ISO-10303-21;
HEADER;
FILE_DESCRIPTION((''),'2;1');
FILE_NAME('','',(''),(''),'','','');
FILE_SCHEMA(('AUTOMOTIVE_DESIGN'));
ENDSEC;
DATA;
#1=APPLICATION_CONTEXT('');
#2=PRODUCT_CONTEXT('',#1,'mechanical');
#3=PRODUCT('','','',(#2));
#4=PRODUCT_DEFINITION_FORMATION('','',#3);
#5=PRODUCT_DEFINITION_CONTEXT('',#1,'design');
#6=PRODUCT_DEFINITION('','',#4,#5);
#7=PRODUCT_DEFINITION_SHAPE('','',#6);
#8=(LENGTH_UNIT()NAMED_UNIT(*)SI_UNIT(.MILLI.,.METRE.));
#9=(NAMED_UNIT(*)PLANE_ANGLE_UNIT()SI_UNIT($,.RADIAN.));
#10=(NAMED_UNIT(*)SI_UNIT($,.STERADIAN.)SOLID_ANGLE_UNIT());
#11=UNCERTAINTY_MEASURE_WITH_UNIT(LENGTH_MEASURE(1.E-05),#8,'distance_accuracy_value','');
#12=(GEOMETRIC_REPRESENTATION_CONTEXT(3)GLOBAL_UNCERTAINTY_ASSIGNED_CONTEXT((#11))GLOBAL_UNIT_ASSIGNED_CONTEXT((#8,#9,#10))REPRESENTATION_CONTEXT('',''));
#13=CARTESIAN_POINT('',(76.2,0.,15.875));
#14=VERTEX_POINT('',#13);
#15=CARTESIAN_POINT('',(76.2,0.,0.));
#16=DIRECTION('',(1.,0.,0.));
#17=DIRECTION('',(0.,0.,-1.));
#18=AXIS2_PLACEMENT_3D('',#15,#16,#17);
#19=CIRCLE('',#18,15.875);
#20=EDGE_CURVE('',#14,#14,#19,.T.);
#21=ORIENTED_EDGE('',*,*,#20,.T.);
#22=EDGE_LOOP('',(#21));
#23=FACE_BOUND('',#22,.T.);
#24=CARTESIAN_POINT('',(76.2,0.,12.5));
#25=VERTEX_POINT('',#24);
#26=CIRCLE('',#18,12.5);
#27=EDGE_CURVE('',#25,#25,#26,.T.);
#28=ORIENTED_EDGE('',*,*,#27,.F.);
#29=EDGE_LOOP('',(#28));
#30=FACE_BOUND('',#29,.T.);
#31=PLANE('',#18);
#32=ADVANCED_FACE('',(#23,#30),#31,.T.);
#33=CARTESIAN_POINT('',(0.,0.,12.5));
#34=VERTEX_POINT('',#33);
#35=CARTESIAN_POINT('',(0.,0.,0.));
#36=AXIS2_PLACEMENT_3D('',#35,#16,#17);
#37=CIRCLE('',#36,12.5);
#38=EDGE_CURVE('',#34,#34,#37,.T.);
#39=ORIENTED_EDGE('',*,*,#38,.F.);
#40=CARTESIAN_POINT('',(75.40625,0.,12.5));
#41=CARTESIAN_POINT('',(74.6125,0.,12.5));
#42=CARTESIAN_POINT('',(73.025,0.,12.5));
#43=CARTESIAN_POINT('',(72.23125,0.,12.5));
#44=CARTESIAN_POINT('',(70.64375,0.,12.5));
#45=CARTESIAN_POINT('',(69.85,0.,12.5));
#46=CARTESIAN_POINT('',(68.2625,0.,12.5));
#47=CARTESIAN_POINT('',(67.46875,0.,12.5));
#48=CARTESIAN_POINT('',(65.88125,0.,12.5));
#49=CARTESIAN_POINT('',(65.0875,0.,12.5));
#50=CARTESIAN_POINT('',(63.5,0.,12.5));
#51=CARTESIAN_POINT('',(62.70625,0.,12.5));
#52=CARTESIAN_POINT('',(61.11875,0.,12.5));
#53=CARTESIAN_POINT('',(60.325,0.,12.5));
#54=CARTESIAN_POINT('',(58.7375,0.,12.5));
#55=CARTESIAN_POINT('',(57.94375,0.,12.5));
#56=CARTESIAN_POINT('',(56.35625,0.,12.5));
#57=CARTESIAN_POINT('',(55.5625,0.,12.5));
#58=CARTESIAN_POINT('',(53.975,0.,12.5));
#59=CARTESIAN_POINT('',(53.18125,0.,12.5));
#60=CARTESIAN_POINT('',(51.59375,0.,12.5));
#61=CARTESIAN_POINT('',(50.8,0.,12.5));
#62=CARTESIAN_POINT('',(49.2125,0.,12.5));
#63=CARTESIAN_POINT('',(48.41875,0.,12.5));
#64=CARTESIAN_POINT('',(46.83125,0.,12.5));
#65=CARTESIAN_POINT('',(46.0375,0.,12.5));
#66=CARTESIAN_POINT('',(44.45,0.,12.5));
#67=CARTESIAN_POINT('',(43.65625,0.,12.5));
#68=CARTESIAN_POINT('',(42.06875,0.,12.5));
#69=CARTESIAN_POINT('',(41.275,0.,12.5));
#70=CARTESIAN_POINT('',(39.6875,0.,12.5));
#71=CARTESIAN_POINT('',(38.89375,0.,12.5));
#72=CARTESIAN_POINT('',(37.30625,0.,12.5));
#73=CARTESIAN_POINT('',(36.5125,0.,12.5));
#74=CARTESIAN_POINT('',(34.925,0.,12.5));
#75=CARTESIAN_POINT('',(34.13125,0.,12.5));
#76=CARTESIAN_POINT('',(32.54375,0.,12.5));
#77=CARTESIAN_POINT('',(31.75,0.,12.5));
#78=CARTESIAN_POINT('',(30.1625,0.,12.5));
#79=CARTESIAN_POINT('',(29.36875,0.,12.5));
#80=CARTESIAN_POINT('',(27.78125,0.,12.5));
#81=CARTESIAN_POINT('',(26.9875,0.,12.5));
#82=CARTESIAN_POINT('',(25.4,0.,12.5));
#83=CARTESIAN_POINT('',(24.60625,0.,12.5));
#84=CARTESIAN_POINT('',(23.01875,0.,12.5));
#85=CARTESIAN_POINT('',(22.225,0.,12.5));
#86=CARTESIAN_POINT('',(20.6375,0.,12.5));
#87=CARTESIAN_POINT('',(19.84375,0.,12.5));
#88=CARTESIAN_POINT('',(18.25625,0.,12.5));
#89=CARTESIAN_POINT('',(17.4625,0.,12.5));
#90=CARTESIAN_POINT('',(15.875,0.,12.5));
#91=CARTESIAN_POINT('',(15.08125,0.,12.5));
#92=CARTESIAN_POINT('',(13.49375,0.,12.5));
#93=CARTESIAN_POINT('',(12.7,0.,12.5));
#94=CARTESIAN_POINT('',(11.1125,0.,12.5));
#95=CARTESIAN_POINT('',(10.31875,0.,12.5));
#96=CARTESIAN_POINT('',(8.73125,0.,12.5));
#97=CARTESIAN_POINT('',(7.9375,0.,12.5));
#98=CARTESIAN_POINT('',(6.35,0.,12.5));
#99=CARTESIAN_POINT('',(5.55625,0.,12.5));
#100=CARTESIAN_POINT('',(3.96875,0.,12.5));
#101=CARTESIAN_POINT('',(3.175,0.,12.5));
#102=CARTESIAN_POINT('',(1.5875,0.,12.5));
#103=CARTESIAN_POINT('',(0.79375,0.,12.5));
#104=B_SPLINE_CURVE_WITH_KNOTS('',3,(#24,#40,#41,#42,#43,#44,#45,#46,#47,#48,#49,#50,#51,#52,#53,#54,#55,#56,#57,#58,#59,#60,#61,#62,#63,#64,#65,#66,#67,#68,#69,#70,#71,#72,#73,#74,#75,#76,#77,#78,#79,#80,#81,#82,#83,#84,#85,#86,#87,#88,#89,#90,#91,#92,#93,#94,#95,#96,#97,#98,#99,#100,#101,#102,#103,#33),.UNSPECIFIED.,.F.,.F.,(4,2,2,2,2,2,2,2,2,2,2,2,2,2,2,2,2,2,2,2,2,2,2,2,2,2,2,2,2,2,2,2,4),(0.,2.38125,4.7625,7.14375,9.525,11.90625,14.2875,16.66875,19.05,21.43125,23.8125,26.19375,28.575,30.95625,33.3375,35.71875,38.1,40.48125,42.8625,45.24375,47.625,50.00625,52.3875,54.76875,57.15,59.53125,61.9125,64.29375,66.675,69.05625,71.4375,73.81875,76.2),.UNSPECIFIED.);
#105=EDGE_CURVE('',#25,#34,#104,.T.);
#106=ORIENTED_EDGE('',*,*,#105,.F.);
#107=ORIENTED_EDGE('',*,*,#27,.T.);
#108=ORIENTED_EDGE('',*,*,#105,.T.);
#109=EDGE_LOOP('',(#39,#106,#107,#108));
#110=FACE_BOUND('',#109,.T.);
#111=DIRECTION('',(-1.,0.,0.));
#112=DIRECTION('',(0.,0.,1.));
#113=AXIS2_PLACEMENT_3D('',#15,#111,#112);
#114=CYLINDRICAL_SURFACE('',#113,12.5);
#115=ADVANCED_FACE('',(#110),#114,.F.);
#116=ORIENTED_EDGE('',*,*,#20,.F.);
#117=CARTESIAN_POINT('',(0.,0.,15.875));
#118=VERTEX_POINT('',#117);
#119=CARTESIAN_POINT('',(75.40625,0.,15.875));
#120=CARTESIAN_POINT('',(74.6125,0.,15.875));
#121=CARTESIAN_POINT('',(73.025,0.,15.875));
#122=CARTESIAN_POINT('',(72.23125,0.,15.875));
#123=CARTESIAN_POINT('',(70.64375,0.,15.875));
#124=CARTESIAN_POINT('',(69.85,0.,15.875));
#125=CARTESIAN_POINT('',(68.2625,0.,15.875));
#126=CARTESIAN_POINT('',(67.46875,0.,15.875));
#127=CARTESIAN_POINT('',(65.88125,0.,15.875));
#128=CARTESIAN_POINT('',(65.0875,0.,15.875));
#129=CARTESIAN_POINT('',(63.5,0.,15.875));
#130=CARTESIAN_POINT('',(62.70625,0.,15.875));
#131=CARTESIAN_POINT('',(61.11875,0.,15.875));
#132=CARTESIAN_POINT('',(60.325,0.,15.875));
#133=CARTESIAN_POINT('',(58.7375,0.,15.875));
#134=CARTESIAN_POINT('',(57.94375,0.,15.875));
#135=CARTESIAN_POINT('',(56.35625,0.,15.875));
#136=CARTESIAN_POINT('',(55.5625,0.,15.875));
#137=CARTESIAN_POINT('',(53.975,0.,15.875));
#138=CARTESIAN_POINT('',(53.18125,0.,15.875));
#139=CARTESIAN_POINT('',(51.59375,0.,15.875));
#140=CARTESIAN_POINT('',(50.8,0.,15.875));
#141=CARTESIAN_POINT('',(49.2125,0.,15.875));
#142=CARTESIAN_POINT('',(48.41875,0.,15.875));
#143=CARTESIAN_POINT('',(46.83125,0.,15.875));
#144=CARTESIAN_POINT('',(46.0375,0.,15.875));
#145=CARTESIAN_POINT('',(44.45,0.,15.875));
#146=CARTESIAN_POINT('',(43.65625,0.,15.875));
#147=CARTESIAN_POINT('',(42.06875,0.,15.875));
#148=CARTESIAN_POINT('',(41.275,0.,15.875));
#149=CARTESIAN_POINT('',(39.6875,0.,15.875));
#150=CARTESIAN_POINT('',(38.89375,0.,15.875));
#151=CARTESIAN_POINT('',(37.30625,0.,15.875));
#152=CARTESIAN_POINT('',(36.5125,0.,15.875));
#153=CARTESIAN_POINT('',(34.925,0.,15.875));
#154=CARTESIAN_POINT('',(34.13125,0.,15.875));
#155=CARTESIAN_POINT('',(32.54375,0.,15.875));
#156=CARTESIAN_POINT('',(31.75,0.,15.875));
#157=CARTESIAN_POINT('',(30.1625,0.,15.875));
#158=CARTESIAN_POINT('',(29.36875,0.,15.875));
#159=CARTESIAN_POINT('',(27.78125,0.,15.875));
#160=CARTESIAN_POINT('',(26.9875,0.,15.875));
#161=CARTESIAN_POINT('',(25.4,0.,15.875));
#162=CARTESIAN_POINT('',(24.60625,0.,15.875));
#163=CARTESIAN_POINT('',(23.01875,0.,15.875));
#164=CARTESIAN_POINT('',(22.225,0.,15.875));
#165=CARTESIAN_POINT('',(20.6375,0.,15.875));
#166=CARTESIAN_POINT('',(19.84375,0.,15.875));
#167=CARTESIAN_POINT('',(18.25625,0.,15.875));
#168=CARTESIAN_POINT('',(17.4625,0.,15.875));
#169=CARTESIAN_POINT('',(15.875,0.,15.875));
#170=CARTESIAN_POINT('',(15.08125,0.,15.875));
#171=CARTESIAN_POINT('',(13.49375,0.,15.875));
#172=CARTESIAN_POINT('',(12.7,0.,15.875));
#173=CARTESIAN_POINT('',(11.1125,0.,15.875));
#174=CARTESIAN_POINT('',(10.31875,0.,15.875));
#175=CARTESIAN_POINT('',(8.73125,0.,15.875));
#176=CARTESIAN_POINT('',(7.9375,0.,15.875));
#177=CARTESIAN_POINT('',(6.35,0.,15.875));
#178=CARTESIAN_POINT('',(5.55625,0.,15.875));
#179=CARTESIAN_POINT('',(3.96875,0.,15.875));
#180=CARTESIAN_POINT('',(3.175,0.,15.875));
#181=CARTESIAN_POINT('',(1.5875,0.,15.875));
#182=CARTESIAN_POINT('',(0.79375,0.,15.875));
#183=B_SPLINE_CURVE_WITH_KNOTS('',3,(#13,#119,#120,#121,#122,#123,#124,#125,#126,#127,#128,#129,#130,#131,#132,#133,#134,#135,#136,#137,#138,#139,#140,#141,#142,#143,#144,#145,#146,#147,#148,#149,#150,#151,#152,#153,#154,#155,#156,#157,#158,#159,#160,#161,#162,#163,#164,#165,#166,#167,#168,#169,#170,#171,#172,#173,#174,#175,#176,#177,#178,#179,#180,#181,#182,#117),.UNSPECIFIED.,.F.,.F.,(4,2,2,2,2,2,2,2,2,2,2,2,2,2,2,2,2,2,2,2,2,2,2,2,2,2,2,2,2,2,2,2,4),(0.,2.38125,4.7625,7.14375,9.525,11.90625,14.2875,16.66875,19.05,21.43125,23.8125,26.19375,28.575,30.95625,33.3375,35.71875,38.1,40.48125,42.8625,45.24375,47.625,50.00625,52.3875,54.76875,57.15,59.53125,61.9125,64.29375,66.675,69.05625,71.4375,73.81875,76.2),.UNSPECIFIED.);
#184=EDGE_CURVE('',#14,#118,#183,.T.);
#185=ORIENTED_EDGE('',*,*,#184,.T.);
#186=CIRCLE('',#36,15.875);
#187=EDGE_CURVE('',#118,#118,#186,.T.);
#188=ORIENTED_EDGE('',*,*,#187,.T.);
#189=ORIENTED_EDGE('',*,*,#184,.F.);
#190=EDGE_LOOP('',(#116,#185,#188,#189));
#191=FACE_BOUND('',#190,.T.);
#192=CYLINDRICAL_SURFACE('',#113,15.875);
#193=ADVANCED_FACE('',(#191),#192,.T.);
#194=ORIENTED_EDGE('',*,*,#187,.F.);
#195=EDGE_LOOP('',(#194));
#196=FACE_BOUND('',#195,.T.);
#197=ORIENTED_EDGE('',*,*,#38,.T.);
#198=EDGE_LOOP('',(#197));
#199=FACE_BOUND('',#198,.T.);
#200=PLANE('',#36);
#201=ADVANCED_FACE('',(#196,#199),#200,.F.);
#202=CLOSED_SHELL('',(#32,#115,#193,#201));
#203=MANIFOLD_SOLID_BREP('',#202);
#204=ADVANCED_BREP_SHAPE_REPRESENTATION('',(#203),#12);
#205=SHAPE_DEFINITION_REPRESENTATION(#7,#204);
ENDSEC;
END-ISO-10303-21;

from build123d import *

# Parameters (mm, degrees)
SKETCH1_R          = 15.875
SKETCH1_R_2        = 12.5
BASE_EXTRUDE_DEPTH = 76.2


with BuildPart() as part:
    # Sketch1 → Base-Extrude (new body)
    with BuildSketch(Plane(origin=(0, 0, 0), x_dir=(0, 0, -1), z_dir=(1, 0, 0))):
        with Locations(Location((0, 0, 0), (0, 0, 180))):
            Circle(SKETCH1_R)
        with Locations(Location((0, 0, 0), (0, 0, 180))):
            Circle(SKETCH1_R_2, mode=Mode.SUBTRACT)
    extrude(amount=BASE_EXTRUDE_DEPTH)


solid = part.part
